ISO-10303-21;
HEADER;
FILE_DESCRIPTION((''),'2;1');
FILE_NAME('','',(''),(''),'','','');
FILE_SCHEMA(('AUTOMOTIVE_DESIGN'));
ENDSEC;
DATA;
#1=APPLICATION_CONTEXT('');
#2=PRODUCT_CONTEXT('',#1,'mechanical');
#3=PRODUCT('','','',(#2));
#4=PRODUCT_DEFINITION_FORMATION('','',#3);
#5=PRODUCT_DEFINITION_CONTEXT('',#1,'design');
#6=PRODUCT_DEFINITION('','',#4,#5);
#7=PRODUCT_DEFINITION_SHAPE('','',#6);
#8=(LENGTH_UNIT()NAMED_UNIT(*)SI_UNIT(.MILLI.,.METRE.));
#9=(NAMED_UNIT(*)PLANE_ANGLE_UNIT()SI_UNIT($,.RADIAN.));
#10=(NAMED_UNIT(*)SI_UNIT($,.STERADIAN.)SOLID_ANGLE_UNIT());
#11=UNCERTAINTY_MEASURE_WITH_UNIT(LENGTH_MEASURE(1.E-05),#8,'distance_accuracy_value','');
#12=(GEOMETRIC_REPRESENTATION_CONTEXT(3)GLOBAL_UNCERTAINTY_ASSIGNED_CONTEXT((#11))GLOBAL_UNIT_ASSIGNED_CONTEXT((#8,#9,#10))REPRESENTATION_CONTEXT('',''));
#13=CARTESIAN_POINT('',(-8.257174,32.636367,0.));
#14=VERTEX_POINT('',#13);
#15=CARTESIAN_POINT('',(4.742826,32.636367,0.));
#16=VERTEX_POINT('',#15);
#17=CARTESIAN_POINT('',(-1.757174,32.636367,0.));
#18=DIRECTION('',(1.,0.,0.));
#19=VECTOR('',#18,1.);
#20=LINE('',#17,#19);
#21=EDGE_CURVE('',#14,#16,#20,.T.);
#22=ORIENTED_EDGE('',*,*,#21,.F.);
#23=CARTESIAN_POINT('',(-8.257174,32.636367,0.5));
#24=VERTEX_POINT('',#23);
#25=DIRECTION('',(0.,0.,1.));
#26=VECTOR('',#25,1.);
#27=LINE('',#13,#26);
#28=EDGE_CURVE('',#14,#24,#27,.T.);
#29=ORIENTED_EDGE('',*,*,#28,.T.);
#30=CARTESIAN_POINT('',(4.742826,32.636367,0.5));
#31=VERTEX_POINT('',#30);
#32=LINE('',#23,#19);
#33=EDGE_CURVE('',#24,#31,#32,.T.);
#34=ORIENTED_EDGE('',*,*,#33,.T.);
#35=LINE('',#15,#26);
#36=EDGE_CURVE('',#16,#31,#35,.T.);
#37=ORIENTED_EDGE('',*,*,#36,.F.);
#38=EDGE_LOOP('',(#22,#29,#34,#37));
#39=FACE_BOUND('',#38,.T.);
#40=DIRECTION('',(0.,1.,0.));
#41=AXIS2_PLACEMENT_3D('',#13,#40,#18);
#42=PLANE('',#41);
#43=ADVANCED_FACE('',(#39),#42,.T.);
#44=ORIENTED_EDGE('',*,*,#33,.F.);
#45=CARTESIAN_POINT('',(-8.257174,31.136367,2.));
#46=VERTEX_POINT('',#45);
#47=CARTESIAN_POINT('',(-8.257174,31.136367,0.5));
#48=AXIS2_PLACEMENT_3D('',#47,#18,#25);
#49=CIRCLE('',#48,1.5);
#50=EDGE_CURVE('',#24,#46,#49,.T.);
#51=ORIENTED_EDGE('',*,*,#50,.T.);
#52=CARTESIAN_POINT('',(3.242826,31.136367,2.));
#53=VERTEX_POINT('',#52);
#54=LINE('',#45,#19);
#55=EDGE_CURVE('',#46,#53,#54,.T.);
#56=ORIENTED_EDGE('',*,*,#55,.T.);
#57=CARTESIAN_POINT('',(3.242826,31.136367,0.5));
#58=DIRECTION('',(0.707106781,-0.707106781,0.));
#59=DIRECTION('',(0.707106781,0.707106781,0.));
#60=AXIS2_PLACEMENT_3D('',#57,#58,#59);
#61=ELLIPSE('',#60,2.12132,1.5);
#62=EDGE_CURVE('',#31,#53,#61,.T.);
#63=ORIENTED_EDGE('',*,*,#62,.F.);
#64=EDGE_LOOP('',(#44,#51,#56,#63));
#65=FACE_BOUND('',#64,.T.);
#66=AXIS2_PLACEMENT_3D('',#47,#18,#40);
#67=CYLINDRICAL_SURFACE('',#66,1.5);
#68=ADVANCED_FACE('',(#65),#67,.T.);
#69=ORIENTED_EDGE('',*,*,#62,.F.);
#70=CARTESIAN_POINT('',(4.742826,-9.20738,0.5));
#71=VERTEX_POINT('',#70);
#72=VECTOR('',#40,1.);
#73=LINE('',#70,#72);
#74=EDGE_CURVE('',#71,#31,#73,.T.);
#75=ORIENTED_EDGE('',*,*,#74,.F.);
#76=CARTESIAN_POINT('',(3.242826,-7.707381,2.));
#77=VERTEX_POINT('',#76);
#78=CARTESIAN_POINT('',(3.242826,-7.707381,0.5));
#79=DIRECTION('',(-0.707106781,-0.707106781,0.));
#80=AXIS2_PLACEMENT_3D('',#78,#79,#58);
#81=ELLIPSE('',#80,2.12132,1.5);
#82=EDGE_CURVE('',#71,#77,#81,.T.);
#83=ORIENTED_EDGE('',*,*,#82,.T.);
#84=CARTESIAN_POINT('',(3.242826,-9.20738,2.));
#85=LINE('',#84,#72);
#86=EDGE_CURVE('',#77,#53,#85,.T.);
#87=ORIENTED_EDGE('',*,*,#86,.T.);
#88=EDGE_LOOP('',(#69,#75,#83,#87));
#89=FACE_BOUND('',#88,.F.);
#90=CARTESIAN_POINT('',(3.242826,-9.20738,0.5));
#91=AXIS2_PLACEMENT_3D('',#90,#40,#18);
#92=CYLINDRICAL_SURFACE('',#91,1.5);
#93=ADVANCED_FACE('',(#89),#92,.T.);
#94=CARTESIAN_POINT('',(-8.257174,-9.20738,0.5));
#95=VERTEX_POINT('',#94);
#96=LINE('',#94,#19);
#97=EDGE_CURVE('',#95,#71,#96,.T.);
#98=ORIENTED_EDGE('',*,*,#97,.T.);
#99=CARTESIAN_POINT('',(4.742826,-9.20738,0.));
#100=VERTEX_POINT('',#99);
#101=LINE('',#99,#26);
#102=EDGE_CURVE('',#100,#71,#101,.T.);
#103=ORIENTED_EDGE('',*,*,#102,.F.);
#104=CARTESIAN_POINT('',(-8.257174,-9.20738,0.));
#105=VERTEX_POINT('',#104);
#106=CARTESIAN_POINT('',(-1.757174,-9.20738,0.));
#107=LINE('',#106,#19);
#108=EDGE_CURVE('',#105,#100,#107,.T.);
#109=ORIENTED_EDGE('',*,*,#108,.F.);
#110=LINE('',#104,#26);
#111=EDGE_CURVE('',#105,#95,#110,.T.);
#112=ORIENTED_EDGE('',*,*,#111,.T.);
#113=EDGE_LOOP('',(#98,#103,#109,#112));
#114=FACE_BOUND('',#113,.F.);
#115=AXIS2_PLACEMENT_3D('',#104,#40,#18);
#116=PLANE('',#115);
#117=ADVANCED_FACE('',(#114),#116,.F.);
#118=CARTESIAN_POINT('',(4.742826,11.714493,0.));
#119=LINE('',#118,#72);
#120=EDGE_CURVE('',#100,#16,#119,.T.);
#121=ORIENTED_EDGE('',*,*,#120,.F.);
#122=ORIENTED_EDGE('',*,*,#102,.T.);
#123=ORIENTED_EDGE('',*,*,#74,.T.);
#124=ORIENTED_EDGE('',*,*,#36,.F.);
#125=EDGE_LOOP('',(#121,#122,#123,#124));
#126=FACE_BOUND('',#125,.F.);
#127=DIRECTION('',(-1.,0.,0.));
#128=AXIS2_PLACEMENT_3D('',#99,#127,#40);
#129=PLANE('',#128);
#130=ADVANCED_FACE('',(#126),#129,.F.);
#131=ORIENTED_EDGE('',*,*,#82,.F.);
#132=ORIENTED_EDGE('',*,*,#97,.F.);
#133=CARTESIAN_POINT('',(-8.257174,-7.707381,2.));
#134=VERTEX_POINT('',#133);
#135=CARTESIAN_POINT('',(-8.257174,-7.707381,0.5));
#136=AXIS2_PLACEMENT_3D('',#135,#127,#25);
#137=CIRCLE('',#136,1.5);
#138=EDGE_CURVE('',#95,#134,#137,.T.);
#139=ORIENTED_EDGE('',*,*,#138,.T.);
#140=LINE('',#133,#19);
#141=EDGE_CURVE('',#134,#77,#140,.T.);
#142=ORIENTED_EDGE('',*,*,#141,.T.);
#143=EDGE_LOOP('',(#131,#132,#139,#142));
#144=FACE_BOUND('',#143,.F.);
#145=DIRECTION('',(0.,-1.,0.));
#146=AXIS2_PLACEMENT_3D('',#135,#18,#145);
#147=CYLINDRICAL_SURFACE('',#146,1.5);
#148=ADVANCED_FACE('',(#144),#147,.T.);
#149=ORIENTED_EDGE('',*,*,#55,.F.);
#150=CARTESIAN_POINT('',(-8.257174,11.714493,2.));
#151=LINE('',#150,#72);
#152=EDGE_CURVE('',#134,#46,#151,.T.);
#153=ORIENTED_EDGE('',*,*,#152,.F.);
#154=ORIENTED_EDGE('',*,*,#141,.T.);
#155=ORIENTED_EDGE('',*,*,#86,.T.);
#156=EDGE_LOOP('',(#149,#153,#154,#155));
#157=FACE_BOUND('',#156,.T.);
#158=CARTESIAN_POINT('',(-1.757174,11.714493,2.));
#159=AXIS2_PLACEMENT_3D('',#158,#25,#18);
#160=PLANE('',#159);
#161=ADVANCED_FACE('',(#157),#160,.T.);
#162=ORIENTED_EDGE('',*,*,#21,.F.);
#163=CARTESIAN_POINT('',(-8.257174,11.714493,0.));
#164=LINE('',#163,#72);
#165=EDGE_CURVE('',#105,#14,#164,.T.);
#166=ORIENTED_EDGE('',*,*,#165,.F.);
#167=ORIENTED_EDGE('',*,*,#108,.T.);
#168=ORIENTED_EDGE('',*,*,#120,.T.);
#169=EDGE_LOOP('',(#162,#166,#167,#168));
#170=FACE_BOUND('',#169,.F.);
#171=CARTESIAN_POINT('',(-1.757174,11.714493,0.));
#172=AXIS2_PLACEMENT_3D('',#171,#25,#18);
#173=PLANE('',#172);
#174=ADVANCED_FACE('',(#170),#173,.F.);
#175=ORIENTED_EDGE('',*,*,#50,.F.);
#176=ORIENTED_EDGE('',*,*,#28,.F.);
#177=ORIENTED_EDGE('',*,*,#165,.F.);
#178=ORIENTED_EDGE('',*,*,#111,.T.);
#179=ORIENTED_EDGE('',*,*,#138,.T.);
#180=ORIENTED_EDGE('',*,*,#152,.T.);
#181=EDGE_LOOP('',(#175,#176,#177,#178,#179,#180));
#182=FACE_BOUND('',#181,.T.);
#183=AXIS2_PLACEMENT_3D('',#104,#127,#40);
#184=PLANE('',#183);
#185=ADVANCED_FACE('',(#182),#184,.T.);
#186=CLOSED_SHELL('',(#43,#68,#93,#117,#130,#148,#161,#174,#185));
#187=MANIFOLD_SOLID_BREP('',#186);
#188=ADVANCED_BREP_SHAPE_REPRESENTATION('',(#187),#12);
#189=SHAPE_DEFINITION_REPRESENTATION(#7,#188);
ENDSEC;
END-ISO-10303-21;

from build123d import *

# Parameters (mm, degrees)
F0_W     = 13
F0_H     = 41.843747
F1_DEPTH = 2
F2_R     = 1.5


with BuildPart() as f1:
    # F0 (on Top) → F1 (new body)
    with BuildSketch(Plane.XY):
        with Locations((-1.757174, 11.714493)):
            Rectangle(F0_W, F0_H)
    extrude(amount=F1_DEPTH)

    # F2
    f2_edges = [f1.edges().sort_by_distance(p)[0] for p in [
        (-1.757174, -9.20738, 2),
        (4.742826, 11.714494, 2),
        (-1.757174, 32.636367, 2),
    ]]
    fillet(f2_edges, radius=F2_R)


solid = f1.part
